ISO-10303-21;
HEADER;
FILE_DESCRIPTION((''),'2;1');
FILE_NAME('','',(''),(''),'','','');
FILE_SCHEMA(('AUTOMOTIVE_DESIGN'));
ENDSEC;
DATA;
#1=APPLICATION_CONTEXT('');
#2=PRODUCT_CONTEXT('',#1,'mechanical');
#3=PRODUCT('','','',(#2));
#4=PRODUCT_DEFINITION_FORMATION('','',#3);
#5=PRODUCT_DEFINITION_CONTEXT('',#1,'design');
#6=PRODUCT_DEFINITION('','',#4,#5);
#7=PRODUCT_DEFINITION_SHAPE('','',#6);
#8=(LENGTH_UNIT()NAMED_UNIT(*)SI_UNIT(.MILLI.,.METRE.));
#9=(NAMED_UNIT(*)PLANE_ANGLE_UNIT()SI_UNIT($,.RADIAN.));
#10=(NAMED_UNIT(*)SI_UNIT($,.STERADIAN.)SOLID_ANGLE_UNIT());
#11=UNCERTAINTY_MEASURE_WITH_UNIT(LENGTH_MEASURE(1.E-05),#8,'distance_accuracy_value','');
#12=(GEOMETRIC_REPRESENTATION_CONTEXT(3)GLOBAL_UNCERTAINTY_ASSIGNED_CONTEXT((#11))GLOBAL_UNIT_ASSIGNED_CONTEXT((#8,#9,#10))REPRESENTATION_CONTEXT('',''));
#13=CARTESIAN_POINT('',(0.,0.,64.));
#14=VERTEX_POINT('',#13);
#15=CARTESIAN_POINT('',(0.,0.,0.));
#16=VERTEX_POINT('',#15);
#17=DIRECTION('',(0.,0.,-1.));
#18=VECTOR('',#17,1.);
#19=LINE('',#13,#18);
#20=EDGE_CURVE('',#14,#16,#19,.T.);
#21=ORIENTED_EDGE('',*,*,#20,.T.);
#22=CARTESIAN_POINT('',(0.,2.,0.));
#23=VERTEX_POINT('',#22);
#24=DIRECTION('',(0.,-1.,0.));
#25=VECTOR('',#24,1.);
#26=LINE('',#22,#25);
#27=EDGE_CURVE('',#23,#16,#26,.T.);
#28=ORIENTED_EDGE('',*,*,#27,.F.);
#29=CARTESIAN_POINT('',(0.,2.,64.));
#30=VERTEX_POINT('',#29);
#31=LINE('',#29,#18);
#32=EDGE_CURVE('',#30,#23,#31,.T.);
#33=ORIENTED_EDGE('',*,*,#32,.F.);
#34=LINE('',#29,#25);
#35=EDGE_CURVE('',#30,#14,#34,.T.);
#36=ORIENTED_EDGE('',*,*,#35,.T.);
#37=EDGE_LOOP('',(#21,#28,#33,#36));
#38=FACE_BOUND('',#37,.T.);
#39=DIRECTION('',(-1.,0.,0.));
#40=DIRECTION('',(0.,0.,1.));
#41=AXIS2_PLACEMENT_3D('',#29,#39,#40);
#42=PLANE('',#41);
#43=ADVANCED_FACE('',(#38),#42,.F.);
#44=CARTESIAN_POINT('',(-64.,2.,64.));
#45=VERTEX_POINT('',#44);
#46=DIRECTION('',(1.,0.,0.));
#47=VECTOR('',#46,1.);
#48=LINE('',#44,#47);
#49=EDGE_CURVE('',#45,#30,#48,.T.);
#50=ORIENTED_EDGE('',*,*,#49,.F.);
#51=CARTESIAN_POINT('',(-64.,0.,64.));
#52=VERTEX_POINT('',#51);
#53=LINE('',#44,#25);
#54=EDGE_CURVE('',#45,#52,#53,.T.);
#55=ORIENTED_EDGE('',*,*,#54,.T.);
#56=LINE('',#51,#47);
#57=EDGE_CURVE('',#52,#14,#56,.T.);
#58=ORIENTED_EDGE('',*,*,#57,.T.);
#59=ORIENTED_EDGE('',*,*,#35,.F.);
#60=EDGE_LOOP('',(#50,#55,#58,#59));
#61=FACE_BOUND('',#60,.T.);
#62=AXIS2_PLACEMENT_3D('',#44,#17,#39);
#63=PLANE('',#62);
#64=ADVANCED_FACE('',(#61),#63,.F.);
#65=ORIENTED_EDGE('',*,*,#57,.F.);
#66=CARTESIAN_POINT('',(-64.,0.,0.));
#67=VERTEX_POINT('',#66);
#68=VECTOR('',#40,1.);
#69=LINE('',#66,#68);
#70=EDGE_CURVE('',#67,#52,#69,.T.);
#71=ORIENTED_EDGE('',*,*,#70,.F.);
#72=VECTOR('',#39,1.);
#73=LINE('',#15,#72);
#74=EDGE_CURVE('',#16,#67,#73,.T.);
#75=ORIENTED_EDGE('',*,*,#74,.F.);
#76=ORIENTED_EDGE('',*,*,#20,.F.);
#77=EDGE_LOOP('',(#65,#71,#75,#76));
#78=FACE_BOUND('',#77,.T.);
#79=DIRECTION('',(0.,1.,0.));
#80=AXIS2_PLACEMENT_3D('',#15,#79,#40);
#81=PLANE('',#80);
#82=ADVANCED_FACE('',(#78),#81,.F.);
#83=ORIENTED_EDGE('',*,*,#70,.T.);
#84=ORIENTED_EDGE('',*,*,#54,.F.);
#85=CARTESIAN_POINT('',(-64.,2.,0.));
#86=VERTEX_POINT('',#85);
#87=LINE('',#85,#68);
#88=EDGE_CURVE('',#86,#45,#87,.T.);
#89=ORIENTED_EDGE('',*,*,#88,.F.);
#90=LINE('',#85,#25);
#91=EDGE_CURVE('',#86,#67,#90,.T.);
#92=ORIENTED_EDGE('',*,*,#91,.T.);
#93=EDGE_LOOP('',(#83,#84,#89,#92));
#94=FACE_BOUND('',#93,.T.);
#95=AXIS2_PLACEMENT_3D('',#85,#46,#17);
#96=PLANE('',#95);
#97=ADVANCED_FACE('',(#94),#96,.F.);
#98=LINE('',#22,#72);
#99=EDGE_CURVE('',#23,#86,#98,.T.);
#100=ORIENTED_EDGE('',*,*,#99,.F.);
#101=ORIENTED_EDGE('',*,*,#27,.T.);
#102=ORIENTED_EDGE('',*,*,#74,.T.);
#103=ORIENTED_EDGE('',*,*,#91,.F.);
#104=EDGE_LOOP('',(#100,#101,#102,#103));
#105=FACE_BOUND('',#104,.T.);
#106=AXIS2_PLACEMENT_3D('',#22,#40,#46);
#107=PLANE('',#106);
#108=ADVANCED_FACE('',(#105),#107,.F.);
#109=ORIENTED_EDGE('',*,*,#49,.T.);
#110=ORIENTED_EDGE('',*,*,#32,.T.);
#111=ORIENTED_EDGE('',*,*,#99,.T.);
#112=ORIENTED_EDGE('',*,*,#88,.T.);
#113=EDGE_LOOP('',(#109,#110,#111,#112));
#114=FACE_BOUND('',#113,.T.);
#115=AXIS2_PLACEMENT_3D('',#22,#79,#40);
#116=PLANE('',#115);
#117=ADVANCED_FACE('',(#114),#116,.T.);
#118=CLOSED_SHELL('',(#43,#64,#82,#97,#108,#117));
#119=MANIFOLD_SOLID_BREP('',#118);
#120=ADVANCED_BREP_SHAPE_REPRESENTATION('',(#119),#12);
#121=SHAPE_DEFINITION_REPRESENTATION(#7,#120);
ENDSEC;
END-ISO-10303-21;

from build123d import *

# Parameters (mm, degrees)
SKETCH2_W           = 64
SKETCH2_H           = 64
BOSS_EXTRUDE1_DEPTH = 2


with BuildPart() as part:
    # Sketch2 → Boss-Extrude1 (new body)
    with BuildSketch(Plane(origin=(0, 0, 0), x_dir=(1, 0, 0), z_dir=(0, 1, 0))):
        with Locations((-32, -32)):
            Rectangle(SKETCH2_W, SKETCH2_H)
    extrude(amount=BOSS_EXTRUDE1_DEPTH)


solid = part.part
